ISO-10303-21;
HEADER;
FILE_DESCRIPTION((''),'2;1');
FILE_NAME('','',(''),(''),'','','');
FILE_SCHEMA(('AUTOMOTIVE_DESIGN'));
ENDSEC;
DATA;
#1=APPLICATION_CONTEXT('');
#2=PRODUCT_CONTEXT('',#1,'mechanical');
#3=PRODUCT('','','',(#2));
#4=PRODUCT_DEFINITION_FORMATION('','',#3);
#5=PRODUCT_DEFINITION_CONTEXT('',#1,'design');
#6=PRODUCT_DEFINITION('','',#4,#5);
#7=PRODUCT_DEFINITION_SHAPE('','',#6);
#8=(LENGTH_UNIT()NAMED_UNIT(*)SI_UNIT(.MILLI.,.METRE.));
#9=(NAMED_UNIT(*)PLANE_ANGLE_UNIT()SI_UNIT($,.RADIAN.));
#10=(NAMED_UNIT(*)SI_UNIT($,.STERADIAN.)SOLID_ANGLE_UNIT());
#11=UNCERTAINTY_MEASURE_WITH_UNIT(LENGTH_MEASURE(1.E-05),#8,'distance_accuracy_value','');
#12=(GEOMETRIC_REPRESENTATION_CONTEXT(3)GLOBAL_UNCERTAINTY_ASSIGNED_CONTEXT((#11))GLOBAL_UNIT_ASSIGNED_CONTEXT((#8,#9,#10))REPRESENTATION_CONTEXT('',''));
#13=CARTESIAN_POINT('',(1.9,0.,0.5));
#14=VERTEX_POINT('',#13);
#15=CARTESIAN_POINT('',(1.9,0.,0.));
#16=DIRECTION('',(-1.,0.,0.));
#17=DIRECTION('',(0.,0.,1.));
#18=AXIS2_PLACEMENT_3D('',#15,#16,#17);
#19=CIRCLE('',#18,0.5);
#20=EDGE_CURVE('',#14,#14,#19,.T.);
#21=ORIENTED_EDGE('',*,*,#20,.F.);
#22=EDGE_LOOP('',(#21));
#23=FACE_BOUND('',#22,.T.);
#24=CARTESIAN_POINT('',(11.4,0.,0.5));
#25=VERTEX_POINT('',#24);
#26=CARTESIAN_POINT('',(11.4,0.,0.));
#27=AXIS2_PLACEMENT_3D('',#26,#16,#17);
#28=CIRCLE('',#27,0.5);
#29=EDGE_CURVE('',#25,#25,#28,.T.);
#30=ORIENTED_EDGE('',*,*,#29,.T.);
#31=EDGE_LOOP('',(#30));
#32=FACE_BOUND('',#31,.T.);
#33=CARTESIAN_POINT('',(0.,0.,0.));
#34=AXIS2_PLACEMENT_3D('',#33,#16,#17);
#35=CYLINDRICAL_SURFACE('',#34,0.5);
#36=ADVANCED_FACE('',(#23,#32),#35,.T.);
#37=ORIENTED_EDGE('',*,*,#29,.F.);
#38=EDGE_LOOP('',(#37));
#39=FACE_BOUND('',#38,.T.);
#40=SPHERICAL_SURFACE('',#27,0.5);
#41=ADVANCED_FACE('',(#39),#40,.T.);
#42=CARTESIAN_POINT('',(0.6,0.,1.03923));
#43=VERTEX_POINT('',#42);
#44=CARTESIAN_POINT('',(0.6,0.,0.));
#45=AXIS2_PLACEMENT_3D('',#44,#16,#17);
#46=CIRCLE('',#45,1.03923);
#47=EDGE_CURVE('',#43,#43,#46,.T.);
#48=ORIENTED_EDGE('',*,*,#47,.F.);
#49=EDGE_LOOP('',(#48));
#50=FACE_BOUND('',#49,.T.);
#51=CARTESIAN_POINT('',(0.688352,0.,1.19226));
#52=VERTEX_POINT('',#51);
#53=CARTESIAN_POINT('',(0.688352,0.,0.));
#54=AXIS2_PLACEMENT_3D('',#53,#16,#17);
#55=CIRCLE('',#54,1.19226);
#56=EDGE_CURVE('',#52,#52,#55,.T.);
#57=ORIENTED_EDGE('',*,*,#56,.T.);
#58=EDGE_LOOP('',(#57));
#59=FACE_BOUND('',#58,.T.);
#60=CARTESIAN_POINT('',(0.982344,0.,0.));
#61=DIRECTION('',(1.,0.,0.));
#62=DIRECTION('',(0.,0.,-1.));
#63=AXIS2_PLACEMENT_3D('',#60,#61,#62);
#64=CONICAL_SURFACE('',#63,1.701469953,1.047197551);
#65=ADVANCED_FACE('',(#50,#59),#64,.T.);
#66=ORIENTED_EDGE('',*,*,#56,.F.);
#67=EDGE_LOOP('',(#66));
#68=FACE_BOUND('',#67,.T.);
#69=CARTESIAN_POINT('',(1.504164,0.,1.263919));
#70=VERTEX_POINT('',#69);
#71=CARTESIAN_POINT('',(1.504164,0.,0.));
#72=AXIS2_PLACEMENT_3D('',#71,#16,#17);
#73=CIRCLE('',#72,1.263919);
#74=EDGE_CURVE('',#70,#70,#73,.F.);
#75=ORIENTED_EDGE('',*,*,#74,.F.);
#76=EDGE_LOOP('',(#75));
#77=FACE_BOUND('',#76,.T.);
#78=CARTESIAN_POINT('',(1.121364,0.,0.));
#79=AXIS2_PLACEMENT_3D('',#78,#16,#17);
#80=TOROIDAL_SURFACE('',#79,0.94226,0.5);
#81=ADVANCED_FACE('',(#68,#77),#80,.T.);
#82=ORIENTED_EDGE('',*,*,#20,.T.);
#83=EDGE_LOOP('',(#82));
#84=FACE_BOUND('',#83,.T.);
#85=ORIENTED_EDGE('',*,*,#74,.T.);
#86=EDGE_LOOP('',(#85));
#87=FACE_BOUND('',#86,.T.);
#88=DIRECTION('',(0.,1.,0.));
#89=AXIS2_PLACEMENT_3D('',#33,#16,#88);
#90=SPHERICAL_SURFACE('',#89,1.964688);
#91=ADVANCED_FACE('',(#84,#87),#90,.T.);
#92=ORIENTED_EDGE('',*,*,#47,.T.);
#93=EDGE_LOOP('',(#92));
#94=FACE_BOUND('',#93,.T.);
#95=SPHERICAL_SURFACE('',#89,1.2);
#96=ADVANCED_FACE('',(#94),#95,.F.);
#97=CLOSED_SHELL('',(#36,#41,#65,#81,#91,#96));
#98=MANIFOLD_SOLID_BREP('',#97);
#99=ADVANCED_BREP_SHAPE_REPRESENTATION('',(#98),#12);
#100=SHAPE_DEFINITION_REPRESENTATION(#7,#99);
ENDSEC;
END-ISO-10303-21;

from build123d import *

# Parameters (mm, degrees)
FILLET_1_R = 0.5


with BuildPart() as part:
    # 草图1 → 旋转2 (revolve)
    with BuildSketch(Plane.XY):
        with BuildLine():
            Line((1.9, 0.5), (11.9, 0.5))
            Line((11.9, 0.5), (11.9, 0))
            Line((11.9, 0), (4, 0))
            Line((4, 0), (3.266776521, 0))
            Line((3.266776521, 0), (1.729753624, 0))
            Line((1.729753624, 0), (1.2, 0))
            ThreePointArc((1.2, 0), (1.172400412, 0.255885273), (1.090871211, 0.5))
            ThreePointArc((1.090871211, 0.5), (0.887385904, 0.807803353), (0.6, 1.039230485))
            Line((0.6, 1.039230485), (0.982344135, 1.701469953))
            ThreePointArc((0.982344135, 1.701469953), (1.561364608, 1.192535349), (1.9, 0.5))
        make_face()
    revolve(axis=Axis((0, 0, 0), (1, 0, 0)))

    # 圆角1
    fillet_1_edges = [part.edges().sort_by_distance(p)[0] for p in [
        (11.9, -0.5, 0),
        (0.982344135, -1.701469953, 0),
    ]]
    fillet(fillet_1_edges, radius=FILLET_1_R)


solid = part.part
